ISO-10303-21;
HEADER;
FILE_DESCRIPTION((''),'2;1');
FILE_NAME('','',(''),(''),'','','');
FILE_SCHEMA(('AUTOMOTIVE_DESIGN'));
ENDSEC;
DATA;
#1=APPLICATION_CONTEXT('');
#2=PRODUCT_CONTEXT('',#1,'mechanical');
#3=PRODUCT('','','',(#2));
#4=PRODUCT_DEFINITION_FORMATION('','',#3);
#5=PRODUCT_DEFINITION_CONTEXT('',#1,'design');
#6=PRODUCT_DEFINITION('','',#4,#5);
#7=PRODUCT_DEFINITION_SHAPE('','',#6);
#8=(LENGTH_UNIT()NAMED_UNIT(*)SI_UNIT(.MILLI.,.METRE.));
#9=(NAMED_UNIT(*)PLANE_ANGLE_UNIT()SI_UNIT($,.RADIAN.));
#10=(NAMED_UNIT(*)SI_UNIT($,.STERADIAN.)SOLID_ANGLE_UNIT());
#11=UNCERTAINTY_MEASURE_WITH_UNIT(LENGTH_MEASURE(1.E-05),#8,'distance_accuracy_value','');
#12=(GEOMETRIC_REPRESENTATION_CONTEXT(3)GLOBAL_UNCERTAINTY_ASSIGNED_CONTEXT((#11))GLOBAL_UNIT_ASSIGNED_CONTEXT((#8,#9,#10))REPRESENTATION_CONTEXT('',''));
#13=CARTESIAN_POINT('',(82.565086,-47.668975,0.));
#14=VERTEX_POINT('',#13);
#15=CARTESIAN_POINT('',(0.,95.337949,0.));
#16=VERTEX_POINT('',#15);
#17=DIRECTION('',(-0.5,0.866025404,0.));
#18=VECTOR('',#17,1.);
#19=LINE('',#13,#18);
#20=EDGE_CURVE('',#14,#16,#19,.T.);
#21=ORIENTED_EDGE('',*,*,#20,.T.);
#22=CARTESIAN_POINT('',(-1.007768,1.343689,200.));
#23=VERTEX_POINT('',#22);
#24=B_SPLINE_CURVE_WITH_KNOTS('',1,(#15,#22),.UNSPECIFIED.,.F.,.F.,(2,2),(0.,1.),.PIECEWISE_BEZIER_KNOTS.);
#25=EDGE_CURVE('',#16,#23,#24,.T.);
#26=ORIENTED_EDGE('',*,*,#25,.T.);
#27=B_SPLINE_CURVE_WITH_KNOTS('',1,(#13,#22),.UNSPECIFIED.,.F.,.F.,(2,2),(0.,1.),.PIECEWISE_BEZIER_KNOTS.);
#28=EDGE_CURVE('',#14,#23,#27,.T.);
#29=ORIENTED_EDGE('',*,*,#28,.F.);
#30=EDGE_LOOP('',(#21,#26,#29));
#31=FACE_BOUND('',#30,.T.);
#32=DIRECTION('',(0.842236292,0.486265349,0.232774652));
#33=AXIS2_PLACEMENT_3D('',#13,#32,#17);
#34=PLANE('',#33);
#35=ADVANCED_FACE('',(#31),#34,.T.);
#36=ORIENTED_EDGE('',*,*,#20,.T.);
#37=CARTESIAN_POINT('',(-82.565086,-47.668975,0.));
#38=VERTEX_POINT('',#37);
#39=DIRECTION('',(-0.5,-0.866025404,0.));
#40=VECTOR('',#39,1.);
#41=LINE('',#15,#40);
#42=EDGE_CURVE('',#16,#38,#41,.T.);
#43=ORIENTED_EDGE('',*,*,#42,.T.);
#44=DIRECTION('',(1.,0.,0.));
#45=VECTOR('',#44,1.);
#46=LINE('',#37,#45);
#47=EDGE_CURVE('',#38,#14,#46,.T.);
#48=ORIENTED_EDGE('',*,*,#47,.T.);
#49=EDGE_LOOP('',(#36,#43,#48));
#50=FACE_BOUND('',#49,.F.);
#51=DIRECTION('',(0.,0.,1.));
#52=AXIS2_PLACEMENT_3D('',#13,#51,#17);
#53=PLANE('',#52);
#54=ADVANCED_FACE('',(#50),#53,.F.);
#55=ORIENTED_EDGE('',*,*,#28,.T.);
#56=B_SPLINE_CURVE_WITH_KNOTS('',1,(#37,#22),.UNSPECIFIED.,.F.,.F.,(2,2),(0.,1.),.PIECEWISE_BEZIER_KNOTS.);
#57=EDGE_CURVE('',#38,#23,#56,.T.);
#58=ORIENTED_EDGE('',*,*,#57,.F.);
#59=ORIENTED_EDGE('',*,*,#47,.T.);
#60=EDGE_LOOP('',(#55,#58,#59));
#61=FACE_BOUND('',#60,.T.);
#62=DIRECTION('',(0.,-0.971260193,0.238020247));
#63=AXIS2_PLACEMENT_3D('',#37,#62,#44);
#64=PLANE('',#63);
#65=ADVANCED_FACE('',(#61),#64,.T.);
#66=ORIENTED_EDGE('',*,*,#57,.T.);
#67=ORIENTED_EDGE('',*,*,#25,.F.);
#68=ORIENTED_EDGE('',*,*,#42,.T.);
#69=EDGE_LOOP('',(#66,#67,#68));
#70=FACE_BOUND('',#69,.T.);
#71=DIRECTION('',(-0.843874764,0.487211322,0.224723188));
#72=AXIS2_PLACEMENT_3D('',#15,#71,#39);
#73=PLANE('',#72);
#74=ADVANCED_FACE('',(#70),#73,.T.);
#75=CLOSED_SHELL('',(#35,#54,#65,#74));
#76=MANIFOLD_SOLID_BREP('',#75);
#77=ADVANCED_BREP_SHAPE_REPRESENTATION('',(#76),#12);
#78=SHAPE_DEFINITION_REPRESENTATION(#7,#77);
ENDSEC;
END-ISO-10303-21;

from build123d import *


with BuildPart() as f3:
    # F0 (on Top) → F3 section 0
    with BuildSketch(Plane.XY, mode=Mode.PRIVATE) as f3_s0:
        Polygon((82.565086, -47.668975), (0, 95.337949), (-82.565086, -47.668975), align=None)
    loft([f3_s0.sketch, Vertex(-1.007768, 1.343689, 200)])


solid = f3.part
